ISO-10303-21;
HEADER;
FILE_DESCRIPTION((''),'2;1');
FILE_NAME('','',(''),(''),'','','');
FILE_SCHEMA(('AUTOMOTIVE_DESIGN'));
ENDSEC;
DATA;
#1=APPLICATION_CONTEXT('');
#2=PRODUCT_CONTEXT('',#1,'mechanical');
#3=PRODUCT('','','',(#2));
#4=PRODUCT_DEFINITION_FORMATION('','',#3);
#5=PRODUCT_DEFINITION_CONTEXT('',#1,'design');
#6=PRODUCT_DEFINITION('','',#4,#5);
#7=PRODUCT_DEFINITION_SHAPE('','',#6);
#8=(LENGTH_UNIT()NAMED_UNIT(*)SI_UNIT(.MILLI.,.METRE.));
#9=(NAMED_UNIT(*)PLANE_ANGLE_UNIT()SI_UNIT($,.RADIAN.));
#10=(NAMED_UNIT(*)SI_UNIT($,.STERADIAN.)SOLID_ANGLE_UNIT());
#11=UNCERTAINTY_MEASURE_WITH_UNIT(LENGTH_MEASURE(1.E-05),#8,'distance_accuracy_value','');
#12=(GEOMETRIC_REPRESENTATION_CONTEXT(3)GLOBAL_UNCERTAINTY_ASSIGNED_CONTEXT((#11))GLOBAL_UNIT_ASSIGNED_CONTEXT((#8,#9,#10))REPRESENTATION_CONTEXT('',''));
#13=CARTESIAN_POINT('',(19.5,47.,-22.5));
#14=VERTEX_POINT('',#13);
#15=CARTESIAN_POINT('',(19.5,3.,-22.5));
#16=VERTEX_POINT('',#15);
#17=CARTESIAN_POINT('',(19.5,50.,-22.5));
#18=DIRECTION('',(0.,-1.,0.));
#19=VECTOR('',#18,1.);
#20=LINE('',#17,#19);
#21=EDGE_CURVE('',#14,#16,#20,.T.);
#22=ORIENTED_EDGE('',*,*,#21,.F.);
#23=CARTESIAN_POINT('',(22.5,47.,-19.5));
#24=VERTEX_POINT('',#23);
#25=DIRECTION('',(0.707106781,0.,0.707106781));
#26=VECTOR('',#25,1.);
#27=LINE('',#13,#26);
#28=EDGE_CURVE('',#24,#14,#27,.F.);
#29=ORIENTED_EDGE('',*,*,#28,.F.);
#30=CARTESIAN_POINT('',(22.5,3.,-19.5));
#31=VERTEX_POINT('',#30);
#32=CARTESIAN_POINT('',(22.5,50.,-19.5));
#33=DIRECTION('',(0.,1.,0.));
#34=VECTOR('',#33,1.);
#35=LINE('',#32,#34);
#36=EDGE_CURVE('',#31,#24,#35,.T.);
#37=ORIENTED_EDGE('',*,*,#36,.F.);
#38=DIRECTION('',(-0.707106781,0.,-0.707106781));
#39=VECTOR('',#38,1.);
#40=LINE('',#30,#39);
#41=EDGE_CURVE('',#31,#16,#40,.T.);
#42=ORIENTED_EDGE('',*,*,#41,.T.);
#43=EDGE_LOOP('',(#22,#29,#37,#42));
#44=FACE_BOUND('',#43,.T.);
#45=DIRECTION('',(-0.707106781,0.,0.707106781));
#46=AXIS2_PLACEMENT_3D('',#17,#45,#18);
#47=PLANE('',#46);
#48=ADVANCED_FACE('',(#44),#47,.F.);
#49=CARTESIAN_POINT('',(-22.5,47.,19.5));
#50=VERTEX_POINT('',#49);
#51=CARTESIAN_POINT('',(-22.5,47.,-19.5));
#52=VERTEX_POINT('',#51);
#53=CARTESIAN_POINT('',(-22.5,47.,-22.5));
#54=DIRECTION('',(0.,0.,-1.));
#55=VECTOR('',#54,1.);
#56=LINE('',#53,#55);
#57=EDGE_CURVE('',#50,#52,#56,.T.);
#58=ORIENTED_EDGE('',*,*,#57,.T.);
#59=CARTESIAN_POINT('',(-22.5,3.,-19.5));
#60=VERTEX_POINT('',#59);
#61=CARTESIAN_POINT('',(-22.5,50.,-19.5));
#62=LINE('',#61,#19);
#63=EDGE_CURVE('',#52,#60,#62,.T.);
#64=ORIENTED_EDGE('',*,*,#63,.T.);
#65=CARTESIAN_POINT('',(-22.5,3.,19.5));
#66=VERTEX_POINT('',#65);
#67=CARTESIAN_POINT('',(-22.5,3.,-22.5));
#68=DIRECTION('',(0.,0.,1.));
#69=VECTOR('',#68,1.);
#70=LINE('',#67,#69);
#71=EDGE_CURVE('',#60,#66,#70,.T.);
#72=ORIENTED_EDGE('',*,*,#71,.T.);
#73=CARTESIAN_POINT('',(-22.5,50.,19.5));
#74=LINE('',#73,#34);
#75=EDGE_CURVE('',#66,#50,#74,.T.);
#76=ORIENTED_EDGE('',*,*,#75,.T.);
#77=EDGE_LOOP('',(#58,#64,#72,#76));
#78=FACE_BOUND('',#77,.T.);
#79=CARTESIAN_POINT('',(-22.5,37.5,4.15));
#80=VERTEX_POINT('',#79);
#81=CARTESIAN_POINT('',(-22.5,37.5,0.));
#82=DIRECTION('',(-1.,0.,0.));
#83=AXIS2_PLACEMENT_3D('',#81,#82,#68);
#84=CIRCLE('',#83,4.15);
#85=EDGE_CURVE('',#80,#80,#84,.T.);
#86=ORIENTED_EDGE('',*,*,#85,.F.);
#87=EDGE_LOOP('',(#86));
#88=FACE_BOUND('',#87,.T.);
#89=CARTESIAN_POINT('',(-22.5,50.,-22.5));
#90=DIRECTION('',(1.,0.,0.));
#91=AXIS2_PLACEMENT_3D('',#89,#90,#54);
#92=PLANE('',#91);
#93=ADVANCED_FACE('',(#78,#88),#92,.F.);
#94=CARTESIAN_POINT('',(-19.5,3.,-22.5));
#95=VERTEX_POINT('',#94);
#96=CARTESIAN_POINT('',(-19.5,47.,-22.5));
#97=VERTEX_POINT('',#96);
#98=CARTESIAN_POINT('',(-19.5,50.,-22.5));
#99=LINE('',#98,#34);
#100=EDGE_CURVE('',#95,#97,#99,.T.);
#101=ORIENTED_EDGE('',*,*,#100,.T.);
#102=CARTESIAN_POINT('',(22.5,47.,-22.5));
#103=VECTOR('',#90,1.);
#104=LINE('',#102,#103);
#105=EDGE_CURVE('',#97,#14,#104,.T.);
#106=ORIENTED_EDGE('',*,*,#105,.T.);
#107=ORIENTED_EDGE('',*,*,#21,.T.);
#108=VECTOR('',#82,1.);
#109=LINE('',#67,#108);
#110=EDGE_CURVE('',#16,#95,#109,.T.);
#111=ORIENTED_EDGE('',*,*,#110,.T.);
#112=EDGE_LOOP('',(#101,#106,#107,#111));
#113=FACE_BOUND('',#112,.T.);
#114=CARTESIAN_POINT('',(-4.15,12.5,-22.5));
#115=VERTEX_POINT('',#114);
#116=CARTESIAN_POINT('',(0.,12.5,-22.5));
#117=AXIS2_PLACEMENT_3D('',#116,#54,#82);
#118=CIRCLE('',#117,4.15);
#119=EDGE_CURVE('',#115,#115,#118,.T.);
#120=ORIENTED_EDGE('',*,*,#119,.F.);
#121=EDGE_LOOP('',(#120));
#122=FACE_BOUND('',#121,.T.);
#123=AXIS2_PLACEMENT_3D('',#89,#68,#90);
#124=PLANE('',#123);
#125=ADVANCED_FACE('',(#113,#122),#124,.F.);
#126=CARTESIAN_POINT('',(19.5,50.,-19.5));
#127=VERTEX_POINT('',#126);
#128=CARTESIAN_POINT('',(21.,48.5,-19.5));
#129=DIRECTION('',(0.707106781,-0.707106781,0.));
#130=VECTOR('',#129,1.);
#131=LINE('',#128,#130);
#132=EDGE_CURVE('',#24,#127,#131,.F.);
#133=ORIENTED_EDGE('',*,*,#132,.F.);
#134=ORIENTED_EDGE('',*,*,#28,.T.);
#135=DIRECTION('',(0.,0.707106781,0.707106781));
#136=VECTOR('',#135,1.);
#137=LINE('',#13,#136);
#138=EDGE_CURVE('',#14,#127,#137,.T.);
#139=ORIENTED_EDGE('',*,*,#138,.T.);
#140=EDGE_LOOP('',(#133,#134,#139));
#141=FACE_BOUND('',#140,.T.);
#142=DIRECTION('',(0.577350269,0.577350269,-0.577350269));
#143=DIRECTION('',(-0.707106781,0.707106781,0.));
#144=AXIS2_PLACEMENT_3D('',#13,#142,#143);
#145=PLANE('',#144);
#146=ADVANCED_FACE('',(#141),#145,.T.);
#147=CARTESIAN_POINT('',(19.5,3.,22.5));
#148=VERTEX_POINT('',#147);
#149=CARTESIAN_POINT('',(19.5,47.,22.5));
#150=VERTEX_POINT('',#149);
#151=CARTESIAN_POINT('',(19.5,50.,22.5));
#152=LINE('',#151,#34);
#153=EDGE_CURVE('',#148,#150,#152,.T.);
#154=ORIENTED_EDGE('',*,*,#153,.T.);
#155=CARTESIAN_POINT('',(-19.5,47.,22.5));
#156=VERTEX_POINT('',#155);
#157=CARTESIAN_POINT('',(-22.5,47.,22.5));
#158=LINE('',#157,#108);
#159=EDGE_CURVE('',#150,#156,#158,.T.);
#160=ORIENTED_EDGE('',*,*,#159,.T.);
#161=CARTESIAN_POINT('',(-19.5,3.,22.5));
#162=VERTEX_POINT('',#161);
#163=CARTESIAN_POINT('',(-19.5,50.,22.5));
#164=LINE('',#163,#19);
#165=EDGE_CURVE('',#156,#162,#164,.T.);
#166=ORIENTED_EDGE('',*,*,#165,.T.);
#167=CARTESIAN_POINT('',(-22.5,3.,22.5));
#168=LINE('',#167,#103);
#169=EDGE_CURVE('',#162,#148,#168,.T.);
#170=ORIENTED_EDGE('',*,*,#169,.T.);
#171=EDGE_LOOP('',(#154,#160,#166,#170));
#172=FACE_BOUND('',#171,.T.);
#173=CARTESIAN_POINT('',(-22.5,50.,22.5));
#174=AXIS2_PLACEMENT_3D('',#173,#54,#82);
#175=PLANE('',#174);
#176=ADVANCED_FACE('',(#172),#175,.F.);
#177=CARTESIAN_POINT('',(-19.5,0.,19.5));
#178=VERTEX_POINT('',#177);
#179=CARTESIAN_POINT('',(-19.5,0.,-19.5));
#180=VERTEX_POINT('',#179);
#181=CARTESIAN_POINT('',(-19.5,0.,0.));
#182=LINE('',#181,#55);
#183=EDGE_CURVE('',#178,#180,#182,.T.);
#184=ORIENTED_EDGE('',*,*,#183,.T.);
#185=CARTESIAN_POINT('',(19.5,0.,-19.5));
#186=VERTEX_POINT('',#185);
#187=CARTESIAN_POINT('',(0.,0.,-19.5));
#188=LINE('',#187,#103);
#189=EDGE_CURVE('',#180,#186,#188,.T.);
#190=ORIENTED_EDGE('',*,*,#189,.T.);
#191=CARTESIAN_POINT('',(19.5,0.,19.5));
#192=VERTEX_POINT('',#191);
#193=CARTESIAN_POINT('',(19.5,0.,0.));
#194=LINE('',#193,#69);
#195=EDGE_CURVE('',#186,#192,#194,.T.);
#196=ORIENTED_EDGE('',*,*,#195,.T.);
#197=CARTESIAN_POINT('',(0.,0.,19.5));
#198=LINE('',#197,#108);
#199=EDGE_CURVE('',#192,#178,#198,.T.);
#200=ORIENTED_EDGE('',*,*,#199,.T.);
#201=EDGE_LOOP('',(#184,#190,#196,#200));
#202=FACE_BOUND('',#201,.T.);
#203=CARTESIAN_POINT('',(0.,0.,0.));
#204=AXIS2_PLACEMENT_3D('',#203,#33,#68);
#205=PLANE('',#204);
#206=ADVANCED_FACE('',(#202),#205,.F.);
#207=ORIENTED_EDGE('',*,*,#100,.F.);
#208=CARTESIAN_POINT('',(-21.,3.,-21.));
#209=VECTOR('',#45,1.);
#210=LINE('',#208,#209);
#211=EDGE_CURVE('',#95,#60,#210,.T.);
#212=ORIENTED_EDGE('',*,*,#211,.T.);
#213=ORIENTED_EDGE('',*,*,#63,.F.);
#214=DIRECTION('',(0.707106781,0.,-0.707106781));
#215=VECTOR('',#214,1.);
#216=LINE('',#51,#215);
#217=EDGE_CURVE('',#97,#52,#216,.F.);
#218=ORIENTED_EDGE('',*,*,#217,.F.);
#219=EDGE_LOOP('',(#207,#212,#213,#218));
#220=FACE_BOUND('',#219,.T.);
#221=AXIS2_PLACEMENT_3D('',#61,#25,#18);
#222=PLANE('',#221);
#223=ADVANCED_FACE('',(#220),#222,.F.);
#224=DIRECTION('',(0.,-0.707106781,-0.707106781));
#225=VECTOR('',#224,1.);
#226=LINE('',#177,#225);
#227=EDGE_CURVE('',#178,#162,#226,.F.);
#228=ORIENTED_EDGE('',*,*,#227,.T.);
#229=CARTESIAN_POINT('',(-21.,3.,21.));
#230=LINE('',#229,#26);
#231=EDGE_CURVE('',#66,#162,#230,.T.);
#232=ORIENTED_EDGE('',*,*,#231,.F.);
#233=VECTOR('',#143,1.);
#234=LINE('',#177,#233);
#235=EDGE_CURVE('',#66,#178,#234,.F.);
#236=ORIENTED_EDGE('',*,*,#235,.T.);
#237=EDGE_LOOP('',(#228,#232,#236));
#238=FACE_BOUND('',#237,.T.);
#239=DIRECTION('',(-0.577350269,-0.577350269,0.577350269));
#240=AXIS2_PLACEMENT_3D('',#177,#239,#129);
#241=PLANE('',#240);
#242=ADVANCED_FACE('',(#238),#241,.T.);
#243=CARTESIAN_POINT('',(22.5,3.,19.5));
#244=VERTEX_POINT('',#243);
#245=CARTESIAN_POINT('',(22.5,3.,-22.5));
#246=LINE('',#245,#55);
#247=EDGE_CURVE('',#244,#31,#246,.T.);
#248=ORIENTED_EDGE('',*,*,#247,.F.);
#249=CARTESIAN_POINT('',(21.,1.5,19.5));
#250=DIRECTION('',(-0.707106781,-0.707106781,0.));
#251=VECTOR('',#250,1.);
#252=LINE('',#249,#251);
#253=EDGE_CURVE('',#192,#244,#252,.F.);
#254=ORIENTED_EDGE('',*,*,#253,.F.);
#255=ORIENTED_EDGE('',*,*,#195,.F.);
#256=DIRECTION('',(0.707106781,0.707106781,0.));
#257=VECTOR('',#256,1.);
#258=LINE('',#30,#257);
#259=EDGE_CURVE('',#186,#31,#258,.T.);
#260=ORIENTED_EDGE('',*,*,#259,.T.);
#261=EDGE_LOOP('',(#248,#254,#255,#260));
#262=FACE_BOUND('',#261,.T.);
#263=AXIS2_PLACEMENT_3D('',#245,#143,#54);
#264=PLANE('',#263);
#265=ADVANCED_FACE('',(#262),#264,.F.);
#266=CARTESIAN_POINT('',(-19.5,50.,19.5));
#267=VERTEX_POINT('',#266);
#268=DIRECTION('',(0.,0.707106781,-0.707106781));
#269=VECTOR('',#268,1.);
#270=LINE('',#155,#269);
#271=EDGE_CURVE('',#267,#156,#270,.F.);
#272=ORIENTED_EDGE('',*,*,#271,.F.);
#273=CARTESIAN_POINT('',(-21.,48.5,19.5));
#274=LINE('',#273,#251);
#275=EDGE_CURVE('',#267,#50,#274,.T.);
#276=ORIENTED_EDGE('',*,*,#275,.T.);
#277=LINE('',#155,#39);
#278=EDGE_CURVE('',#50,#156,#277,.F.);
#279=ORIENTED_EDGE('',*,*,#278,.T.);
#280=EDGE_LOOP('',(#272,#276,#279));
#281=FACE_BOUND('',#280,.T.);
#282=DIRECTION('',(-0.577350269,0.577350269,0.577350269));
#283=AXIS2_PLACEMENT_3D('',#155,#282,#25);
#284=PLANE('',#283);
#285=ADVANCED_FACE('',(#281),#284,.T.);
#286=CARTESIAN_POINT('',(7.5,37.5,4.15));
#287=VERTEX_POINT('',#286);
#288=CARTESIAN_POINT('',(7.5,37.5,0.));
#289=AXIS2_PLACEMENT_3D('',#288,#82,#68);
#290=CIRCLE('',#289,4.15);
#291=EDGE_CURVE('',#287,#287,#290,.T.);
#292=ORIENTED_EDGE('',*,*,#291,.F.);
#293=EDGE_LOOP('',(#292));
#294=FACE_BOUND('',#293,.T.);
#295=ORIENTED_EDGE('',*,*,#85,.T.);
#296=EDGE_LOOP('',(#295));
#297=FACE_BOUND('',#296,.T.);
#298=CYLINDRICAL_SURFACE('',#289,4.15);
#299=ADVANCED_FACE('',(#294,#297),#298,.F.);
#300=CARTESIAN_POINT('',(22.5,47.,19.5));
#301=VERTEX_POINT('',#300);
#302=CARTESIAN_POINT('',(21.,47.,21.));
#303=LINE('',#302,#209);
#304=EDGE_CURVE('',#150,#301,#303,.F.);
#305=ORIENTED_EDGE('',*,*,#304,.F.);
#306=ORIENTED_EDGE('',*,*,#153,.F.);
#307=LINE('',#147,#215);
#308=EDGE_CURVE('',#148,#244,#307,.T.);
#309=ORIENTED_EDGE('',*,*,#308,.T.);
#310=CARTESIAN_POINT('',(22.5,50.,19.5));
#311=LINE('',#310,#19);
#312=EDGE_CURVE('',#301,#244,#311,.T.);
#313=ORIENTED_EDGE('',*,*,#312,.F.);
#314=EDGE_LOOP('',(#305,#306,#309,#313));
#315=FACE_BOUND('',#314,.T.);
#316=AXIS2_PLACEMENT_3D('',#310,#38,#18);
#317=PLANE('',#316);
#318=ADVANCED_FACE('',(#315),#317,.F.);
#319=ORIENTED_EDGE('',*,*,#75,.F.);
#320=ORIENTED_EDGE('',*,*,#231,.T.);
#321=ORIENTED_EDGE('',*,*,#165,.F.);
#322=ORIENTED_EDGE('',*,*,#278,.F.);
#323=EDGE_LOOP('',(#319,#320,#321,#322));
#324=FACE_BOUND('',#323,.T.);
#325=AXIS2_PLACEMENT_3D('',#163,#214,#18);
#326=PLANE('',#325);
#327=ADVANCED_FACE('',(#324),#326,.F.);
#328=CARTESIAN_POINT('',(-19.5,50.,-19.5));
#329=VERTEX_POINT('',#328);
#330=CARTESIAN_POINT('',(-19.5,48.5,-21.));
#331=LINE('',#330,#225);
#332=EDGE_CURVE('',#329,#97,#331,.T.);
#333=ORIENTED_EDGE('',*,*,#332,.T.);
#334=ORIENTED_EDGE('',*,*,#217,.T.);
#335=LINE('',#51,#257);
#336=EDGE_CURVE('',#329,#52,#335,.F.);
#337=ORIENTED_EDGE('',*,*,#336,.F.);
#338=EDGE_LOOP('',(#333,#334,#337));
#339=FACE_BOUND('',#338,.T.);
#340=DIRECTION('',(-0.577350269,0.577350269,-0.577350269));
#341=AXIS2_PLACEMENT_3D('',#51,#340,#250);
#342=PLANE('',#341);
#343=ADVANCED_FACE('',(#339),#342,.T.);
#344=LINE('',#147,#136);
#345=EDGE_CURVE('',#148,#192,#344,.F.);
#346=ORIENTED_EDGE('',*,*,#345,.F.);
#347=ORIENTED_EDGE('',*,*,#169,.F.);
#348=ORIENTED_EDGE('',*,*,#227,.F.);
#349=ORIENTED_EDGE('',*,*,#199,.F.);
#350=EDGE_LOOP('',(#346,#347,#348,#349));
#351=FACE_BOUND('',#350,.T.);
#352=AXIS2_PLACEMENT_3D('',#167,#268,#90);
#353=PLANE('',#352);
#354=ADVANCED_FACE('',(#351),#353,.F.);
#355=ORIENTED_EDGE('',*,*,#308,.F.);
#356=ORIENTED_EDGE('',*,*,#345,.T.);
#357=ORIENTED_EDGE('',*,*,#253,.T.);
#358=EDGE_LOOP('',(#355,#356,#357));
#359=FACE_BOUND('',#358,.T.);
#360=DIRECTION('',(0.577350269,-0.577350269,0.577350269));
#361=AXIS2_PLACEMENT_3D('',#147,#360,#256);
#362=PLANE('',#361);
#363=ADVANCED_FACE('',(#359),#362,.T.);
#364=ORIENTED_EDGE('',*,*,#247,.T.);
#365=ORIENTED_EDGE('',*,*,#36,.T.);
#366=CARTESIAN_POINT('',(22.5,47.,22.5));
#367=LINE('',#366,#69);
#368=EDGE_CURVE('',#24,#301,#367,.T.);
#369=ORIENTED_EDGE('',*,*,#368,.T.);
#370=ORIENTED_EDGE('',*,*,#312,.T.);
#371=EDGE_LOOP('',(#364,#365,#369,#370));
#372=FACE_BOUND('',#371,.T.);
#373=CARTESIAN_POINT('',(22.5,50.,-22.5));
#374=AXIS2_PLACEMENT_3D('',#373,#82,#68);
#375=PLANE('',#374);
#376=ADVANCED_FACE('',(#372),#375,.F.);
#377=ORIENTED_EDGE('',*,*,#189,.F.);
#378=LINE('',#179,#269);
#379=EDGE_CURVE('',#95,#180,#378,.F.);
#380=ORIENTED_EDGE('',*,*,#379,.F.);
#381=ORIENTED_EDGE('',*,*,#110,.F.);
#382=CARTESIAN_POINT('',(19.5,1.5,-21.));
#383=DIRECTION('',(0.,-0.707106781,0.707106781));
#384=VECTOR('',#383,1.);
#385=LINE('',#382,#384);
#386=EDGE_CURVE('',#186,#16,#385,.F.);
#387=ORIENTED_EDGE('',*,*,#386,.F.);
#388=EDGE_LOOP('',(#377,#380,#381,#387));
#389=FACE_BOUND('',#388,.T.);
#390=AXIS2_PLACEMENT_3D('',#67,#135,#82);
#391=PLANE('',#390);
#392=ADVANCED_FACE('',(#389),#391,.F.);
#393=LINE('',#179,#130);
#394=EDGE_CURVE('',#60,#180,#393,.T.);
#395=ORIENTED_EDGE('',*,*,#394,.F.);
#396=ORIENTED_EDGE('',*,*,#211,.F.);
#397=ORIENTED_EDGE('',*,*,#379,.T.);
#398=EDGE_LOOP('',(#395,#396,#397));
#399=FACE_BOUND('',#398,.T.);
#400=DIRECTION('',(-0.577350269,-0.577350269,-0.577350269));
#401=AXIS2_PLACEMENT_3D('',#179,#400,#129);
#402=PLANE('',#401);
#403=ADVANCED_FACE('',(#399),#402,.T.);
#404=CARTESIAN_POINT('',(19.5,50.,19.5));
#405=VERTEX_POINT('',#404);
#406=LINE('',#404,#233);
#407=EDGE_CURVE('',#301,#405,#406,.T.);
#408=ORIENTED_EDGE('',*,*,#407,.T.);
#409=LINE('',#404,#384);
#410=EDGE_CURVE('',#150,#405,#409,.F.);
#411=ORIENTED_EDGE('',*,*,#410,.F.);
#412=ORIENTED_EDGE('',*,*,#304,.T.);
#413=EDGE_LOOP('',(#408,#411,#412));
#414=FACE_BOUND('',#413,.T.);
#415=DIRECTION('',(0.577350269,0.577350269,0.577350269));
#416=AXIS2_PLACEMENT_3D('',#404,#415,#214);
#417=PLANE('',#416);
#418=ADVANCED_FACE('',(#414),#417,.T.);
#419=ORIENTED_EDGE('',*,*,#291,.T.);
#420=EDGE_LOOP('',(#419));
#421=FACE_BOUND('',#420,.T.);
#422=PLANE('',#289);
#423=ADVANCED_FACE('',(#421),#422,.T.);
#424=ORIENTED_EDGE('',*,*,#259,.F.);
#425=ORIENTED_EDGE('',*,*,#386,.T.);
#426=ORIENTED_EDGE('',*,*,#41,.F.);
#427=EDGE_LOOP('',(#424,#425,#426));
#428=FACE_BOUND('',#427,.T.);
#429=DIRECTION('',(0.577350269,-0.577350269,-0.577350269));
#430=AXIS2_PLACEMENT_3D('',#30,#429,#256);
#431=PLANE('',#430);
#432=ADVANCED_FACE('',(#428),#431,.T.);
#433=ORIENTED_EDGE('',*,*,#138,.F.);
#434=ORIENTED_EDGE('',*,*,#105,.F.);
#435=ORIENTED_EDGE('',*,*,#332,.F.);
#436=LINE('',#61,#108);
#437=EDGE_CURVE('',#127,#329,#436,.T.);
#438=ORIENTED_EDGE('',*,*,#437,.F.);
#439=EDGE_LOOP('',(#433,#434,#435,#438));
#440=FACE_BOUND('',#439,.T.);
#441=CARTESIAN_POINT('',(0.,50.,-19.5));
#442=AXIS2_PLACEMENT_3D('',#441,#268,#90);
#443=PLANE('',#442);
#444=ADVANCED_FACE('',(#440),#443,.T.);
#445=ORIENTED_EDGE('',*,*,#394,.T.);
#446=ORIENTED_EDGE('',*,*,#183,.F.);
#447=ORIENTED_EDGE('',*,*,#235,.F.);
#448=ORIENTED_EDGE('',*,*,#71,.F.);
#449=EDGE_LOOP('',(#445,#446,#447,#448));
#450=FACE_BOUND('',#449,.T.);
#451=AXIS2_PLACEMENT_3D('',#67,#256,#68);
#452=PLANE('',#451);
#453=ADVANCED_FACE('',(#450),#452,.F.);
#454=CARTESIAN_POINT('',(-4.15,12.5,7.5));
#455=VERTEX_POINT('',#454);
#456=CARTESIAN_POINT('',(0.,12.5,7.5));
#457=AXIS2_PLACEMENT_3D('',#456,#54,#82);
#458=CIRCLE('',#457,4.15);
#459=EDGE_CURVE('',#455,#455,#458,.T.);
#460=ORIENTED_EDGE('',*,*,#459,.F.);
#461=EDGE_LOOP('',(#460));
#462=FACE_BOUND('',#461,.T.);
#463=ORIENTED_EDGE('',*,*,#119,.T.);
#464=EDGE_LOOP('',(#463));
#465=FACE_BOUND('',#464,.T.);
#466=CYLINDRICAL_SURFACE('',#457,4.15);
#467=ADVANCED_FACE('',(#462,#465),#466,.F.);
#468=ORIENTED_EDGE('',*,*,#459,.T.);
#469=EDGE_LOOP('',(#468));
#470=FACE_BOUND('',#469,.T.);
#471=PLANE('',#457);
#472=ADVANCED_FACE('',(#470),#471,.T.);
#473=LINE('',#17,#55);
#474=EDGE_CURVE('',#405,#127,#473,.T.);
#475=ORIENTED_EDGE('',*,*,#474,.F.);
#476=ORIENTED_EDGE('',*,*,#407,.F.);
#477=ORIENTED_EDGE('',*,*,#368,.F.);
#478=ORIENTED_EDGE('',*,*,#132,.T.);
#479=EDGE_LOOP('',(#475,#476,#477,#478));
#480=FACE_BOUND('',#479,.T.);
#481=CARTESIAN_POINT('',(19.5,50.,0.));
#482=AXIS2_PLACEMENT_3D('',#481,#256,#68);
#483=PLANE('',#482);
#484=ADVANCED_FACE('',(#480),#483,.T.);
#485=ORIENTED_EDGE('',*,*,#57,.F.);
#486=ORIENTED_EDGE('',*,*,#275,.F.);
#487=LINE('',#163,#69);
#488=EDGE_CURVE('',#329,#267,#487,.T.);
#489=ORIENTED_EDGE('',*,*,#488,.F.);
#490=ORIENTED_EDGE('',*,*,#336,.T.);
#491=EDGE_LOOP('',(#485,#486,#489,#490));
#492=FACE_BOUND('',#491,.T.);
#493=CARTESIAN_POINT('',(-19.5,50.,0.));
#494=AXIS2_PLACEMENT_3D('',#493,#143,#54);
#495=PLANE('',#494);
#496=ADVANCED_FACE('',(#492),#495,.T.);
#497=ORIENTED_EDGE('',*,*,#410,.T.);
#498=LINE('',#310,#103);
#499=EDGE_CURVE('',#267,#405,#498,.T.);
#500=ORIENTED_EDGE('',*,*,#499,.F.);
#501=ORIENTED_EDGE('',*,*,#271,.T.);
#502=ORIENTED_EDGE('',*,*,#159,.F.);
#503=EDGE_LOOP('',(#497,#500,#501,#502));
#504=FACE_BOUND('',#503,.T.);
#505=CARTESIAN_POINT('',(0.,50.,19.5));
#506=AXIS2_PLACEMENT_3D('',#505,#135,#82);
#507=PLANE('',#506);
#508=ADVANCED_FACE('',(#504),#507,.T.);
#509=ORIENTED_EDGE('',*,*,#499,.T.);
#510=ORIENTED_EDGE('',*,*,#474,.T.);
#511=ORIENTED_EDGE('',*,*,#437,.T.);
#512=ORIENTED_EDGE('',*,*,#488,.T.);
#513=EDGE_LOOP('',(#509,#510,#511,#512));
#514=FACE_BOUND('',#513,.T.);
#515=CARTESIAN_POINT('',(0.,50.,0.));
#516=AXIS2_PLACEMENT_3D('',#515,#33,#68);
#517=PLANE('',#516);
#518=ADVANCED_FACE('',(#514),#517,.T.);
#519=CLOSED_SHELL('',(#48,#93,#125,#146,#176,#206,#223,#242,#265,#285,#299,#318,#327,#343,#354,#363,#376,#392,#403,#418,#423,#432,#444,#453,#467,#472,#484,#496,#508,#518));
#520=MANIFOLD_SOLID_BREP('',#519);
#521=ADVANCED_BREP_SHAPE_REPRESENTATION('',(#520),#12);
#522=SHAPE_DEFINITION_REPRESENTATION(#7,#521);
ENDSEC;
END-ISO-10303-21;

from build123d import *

# Parameters (mm, degrees)
SKETCH1_W           = 45
SKETCH1_H           = 45
BOSS_EXTRUDE1_DEPTH = 50
SKETCH2_R           = 4.15
CUT_EXTRUDE1_DEPTH  = 30
SKETCH3_R           = 4.15
CUT_EXTRUDE2_DEPTH  = 30
CHAMFER1_SIZE       = 3


with BuildPart() as part:
    # Sketch1 → Boss-Extrude1 (new body)
    with BuildSketch(Plane(origin=(0, 0, 0), x_dir=(1, 0, 0), z_dir=(0, 1, 0))):
        Rectangle(SKETCH1_W, SKETCH1_H)
    extrude(amount=BOSS_EXTRUDE1_DEPTH)

    # Sketch2 → Cut-Extrude1 (cut)
    with BuildSketch(Plane(origin=(0, 0, -22.5), x_dir=(-1, 0, 0), z_dir=(0, 0, -1))):
        with Locations((0, 12.5)):
            Circle(SKETCH2_R)
    extrude(amount=-CUT_EXTRUDE1_DEPTH, mode=Mode.SUBTRACT)

    # Sketch3 → Cut-Extrude2 (cut)
    with BuildSketch(Plane.ZY.offset(22.5)):
        with Locations((0, 37.5)):
            Circle(SKETCH3_R)
    extrude(amount=-CUT_EXTRUDE2_DEPTH, mode=Mode.SUBTRACT)

    # Chamfer1
    chamfer1_edges = [part.edges().sort_by_distance(p)[0] for p in [
        (-22.5, 50, 0),
        (0, 50, 22.5),
        (22.5, 50, 0),
        (0, 0, 22.5),
        (-22.5, 0, 0),
        (0, 0, -22.5),
        (22.5, 0, 0),
        (22.5, 25, 22.5),
        (-22.5, 25, 22.5),
        (-22.5, 25, -22.5),
        (22.5, 25, -22.5),
        (0, 50, -22.5),
    ]]
    chamfer(chamfer1_edges, length=CHAMFER1_SIZE)


solid = part.part
